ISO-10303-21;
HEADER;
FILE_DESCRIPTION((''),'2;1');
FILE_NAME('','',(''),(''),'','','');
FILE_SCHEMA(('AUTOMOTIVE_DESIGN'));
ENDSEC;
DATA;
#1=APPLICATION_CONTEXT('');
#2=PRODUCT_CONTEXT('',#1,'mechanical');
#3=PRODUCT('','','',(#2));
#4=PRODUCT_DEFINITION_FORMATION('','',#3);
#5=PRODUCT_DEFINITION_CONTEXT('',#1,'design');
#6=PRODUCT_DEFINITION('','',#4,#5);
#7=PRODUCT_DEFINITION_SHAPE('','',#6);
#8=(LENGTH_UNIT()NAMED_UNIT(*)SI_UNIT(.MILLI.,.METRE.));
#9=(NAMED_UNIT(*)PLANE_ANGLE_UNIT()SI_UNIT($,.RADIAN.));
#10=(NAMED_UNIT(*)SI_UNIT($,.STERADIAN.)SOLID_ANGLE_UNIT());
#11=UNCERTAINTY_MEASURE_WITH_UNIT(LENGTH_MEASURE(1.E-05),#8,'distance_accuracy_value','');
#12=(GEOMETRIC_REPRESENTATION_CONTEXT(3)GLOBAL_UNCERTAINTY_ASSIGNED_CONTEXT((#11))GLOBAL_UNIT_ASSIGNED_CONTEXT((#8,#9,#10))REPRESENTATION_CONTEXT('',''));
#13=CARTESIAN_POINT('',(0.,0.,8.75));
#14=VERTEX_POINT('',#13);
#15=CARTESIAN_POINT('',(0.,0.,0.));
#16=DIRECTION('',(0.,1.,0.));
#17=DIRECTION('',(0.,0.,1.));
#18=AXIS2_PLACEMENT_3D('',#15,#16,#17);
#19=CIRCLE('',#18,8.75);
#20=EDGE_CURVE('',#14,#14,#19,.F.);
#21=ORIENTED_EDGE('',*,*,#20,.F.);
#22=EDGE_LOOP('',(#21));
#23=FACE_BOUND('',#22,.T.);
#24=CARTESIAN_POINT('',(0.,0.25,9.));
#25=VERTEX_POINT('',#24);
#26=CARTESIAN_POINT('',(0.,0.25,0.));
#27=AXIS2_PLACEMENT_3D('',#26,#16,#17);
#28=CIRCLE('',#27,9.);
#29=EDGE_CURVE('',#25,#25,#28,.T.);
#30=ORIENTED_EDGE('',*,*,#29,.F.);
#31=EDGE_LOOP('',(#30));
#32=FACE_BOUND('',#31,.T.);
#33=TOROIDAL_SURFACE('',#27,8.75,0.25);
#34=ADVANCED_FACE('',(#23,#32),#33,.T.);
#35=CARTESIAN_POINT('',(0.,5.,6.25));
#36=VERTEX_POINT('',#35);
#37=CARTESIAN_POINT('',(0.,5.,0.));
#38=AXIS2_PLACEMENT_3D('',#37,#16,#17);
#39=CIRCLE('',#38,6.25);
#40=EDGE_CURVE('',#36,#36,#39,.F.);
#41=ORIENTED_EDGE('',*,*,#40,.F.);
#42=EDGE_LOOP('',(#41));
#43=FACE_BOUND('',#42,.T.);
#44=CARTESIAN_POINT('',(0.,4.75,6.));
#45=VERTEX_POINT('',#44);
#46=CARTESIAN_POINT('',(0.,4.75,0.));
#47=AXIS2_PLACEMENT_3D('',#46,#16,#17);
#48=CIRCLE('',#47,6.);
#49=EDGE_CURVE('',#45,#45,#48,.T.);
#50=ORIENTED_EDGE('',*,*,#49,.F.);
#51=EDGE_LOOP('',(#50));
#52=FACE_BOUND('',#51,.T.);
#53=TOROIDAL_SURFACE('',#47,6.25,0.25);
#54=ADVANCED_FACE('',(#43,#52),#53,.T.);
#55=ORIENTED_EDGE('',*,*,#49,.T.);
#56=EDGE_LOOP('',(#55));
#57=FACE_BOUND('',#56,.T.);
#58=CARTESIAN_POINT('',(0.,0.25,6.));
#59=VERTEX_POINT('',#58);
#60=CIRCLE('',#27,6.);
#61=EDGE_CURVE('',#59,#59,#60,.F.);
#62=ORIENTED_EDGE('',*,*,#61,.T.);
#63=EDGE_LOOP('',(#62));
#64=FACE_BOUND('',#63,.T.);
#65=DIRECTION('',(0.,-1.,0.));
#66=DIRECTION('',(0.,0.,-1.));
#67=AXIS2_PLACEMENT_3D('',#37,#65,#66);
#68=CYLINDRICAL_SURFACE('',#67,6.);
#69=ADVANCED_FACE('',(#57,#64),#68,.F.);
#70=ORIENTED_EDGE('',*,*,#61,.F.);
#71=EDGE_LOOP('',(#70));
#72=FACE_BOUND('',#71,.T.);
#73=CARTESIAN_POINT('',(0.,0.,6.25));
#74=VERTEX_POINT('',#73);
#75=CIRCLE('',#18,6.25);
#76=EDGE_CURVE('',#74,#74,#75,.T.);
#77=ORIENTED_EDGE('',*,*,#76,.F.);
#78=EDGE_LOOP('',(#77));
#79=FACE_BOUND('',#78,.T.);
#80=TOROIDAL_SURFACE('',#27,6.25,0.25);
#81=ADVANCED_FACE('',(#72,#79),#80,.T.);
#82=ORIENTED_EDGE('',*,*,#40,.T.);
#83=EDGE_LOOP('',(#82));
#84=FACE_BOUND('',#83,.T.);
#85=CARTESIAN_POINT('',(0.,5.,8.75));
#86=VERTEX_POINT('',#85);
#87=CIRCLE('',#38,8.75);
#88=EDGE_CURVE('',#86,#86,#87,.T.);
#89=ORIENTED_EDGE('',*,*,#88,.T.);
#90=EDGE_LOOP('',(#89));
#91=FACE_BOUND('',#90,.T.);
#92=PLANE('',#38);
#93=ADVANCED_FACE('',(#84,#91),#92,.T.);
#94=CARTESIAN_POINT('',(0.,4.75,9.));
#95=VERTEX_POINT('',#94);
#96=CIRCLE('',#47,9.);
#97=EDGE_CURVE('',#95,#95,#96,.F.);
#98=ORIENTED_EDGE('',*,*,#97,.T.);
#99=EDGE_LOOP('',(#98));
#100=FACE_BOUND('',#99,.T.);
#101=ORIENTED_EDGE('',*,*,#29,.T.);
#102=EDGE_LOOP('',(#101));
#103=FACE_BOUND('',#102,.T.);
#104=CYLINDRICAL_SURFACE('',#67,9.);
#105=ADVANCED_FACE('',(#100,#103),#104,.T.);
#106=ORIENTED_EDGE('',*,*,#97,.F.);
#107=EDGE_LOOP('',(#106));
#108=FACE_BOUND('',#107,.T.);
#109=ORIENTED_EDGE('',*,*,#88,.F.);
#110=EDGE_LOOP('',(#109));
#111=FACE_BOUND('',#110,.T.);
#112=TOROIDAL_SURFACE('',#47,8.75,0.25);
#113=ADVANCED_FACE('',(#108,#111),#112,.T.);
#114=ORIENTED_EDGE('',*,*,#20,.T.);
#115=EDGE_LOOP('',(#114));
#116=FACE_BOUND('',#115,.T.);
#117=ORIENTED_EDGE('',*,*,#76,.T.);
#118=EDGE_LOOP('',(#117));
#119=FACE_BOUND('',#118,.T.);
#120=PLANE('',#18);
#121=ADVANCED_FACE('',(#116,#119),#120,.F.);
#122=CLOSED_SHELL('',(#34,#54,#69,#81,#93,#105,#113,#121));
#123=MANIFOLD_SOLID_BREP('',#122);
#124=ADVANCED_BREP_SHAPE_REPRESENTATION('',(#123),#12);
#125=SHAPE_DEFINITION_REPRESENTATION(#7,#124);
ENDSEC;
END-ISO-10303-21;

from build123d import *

# Parameters (mm, degrees)
SKETCH_1_R      = 9
SKETCH_1_R_2    = 6
EXTRUDE_1_DEPTH = 5
FILLET_1_R      = 0.25


with BuildPart() as part:
    # 草图1 → 凸台-拉伸1 (new body)
    with BuildSketch(Plane(origin=(0, 0, 0), x_dir=(1, 0, 0), z_dir=(0, 1, 0))):
        with Locations(Location((0, 0, 0), (0, 0, 270))):
            Circle(SKETCH_1_R)
        with Locations(Location((0, 0, 0), (0, 0, 270))):
            Circle(SKETCH_1_R_2, mode=Mode.SUBTRACT)
    extrude(amount=EXTRUDE_1_DEPTH)

    # 圆角1
    fillet_1_edges = [part.edges().sort_by_distance(p)[0] for p in [
        (0, 0, -9),
        (0, 5, -9),
        (0, 0, -6),
        (0, 5, -6),
    ]]
    fillet(fillet_1_edges, radius=FILLET_1_R)


solid = part.part
